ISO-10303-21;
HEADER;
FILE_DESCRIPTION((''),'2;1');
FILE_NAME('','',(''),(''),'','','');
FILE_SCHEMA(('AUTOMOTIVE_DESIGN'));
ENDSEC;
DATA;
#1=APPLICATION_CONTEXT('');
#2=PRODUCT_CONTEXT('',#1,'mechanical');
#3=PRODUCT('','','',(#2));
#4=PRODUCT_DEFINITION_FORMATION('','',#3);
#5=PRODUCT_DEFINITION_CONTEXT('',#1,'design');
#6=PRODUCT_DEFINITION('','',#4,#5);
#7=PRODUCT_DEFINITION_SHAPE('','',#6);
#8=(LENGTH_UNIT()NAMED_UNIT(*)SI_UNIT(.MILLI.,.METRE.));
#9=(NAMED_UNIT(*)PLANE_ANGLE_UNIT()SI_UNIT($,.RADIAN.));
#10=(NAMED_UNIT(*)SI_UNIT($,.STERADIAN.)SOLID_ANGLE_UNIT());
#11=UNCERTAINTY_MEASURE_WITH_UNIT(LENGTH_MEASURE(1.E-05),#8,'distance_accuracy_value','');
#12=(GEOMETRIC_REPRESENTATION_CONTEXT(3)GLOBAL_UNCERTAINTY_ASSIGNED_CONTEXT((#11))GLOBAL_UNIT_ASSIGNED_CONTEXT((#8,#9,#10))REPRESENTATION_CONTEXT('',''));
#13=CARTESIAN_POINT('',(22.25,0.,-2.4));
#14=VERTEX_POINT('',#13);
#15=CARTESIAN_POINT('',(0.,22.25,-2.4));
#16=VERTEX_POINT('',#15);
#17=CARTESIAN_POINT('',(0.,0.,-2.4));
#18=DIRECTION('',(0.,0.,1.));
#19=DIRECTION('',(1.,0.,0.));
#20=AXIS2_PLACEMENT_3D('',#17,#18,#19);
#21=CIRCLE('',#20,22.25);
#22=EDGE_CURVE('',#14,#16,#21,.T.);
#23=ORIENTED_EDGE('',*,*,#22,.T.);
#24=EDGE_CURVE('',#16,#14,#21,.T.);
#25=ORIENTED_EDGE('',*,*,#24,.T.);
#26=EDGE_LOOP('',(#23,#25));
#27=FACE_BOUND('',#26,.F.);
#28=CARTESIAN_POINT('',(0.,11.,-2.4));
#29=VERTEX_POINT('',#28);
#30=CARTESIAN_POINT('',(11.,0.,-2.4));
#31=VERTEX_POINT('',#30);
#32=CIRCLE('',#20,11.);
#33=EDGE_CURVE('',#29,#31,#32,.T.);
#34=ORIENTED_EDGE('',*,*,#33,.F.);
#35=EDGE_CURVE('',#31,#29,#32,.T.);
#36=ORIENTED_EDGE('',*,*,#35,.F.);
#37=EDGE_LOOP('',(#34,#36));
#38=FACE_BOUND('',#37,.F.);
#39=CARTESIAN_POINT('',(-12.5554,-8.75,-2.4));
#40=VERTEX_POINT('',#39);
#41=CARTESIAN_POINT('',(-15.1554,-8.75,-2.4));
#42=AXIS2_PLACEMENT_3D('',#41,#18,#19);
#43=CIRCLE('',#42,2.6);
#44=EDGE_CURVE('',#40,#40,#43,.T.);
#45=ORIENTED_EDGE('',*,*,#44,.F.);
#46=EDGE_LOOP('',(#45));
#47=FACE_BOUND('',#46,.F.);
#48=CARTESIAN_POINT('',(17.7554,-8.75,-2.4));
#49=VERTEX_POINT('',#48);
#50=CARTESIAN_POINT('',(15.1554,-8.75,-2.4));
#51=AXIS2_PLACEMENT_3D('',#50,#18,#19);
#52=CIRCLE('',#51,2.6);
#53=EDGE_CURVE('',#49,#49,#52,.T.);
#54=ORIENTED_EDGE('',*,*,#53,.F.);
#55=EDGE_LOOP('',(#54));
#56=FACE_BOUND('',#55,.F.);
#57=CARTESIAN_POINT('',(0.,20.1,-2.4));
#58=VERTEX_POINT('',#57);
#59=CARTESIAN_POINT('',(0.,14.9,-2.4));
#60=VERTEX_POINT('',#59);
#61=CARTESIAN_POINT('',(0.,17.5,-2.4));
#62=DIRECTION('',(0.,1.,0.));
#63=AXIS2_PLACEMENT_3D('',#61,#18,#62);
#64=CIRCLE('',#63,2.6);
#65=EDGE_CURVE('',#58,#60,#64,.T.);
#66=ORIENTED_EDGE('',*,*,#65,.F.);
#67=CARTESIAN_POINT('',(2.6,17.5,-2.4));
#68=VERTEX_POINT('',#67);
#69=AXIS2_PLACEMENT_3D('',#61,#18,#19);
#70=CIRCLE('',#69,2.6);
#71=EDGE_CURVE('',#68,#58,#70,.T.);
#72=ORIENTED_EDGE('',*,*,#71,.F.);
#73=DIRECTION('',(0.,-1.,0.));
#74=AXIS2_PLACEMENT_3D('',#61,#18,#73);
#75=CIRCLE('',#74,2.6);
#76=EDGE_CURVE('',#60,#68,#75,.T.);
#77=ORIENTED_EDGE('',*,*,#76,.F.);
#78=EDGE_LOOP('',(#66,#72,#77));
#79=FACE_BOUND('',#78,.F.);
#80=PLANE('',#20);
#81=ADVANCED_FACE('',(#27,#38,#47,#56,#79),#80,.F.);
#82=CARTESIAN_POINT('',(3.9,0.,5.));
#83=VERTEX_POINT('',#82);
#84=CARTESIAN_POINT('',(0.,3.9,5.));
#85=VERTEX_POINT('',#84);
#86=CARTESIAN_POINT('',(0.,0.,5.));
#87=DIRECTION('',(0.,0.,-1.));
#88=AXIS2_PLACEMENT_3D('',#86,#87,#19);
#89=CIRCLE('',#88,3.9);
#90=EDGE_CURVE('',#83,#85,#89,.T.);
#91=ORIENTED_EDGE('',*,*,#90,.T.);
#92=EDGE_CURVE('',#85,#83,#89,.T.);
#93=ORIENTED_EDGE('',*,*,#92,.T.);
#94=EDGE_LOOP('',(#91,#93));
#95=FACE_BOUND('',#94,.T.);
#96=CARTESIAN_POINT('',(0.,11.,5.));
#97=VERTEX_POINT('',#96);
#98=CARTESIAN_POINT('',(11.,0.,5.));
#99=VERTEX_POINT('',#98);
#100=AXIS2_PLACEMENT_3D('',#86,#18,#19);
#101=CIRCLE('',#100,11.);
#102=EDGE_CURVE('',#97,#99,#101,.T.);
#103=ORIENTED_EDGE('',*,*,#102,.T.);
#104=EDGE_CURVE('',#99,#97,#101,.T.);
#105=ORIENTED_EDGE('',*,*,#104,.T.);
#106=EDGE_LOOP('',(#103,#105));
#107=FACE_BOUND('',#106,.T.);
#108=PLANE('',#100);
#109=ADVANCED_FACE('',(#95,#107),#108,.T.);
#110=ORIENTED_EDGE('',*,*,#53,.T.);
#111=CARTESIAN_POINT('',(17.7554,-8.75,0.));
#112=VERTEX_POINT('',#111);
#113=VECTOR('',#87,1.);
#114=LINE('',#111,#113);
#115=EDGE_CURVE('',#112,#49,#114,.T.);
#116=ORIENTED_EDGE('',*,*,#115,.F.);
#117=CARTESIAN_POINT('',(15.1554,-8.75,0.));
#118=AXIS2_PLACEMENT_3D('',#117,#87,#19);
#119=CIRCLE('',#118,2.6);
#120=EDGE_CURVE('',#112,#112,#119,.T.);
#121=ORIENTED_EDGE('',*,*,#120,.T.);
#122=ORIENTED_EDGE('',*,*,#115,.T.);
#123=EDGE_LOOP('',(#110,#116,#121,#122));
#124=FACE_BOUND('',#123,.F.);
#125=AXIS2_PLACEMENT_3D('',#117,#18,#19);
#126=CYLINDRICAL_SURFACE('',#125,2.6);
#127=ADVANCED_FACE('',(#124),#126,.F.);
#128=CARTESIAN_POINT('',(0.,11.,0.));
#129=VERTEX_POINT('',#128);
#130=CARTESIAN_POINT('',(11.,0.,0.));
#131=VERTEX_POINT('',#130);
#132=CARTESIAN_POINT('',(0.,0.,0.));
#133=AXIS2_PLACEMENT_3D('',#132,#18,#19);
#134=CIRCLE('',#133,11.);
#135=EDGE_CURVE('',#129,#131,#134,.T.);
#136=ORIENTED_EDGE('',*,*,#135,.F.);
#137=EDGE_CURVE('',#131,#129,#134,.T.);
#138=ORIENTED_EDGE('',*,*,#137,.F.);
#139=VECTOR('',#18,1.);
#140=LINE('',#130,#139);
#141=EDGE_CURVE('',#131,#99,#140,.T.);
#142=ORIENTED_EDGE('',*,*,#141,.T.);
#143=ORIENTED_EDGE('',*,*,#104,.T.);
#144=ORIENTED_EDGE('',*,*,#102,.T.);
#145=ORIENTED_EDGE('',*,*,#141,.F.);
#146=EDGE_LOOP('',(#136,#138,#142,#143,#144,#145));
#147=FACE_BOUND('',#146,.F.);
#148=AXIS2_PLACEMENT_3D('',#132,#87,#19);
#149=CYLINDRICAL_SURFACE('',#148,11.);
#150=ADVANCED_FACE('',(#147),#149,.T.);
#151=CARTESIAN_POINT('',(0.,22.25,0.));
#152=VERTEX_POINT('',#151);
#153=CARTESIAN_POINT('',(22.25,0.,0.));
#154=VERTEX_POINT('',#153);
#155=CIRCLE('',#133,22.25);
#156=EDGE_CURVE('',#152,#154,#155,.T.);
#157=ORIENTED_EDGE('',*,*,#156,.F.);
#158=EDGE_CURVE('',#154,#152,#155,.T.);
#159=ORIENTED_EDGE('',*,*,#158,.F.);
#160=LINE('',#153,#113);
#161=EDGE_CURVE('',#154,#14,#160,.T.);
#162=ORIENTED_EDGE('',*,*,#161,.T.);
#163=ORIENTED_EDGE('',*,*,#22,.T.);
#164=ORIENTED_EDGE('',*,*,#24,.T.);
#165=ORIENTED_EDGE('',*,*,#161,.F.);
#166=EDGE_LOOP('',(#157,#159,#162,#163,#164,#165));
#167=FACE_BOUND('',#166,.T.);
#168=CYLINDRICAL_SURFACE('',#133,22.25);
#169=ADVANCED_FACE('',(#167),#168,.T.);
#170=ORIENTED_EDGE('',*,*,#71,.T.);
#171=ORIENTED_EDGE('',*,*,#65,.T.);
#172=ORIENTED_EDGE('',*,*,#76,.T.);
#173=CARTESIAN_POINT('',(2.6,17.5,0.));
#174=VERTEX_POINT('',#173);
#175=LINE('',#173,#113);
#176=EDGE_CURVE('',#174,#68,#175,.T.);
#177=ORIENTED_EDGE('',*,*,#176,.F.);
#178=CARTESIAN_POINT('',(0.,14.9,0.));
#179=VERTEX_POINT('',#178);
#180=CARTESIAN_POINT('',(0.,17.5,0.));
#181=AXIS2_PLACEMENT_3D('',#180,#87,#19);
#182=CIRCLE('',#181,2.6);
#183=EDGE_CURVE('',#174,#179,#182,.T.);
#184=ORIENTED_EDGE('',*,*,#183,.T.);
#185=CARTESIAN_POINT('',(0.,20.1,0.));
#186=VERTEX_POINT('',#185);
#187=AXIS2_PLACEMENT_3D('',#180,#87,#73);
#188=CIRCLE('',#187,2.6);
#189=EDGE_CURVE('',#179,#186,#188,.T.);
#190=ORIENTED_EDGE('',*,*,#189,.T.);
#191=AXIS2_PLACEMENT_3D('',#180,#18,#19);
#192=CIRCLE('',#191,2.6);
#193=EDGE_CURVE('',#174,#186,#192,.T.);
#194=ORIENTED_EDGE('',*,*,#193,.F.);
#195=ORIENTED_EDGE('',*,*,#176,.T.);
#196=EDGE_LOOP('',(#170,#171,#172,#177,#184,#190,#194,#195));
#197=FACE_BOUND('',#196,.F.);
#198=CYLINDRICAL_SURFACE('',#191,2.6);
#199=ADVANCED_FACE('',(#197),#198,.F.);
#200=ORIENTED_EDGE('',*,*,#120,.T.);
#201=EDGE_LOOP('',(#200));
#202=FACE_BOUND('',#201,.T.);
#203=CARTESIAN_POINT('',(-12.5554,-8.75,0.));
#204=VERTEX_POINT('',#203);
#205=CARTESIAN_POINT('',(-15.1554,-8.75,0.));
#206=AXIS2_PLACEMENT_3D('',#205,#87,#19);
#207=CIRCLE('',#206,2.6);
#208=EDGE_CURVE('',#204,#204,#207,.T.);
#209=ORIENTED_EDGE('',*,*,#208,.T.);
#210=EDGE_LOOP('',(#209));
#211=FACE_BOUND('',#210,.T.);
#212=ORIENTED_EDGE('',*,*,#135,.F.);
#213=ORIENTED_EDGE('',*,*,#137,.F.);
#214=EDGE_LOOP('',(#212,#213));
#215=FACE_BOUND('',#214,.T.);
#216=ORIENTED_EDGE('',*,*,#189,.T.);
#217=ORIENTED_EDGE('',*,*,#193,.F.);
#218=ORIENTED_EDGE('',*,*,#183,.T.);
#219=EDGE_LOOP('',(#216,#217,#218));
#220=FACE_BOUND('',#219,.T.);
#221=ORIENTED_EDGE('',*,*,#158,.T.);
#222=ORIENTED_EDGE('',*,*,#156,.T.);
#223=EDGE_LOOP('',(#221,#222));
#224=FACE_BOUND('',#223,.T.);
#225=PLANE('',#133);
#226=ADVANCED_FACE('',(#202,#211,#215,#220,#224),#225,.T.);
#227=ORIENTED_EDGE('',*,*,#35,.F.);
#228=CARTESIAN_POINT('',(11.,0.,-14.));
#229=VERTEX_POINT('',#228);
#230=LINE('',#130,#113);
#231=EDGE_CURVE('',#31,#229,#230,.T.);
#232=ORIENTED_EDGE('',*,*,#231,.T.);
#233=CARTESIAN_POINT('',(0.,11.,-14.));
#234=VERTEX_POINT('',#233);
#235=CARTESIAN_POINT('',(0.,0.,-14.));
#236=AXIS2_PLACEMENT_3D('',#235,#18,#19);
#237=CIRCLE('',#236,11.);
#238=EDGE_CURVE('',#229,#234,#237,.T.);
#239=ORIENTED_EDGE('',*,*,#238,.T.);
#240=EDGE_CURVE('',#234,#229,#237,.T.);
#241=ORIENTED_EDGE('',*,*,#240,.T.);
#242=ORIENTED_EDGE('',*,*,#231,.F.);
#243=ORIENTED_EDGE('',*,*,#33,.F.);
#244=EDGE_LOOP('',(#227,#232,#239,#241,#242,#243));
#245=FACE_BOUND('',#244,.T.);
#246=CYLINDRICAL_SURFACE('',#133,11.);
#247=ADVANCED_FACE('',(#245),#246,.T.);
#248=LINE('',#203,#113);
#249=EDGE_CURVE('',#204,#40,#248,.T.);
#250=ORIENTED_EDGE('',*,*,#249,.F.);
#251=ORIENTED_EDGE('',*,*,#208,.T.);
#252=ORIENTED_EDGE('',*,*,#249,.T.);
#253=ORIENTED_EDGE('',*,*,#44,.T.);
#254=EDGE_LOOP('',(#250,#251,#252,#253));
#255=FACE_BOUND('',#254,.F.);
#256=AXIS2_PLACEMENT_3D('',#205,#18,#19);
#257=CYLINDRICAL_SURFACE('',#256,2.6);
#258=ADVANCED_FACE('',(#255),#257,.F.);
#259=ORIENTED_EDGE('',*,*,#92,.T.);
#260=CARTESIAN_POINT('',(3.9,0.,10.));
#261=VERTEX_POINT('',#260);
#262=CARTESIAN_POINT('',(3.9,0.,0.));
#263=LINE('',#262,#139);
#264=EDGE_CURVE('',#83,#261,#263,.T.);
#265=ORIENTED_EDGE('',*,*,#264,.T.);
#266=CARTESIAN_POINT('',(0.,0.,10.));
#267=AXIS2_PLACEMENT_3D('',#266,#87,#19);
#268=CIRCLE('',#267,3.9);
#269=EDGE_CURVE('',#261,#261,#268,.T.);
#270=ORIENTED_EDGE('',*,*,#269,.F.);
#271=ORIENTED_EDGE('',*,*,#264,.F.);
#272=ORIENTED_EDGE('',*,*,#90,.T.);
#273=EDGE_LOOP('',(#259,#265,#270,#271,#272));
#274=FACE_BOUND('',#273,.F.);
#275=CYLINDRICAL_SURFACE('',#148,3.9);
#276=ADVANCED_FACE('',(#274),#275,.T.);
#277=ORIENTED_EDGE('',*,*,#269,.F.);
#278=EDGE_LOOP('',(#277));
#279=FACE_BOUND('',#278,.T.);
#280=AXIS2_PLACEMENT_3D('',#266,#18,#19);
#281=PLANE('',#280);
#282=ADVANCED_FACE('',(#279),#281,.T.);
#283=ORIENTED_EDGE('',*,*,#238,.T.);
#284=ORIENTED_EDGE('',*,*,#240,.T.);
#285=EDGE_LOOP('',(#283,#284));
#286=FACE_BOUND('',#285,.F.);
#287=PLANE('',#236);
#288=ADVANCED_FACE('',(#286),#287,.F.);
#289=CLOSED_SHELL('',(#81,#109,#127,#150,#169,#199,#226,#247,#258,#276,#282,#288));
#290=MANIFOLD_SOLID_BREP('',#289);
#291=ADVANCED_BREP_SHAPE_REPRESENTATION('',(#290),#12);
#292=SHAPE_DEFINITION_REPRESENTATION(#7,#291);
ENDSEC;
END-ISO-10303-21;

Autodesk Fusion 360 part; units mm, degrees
sketch "Sketch1" plane through (0, 0, 0) normal (0, 0, 1) x (1, 0, 0)
  circle A0 centre (0, 0) radius 22.25
  circle A1 centre (0, 0) radius 17.5
  circle A2 centre (0, 0) radius 11
  line L0 (0, 0) -> (0, 30)
  circle A3 centre (0, 17.5) radius 2.6
  circle A4 centre (-15.1554, -8.75) radius 2.6
  circle A5 centre (15.1554, -8.75) radius 2.6
  circle A6 centre (0, 0) radius 3.9
  dimension "d1" = 44.5
  dimension "d2" = 35
  dimension "d3" = 22
  dimension "d4" = 5.2
  dimension "d5" = 5.2
  dimension "d6" = 5.2
  dimension "d7" = 7.8
extrude "Extrude1" add sketch "Sketch1" against normal blind 2.4 contours A0 | A1 A3 A4 A5 | A2 | A6
extrude "Extrude2" add sketch "Sketch1" along normal blind 5 and the other way blind 14 contours A2 | A6
extrude "Extrude3" add sketch "Sketch1" along normal blind 10 contours A6
